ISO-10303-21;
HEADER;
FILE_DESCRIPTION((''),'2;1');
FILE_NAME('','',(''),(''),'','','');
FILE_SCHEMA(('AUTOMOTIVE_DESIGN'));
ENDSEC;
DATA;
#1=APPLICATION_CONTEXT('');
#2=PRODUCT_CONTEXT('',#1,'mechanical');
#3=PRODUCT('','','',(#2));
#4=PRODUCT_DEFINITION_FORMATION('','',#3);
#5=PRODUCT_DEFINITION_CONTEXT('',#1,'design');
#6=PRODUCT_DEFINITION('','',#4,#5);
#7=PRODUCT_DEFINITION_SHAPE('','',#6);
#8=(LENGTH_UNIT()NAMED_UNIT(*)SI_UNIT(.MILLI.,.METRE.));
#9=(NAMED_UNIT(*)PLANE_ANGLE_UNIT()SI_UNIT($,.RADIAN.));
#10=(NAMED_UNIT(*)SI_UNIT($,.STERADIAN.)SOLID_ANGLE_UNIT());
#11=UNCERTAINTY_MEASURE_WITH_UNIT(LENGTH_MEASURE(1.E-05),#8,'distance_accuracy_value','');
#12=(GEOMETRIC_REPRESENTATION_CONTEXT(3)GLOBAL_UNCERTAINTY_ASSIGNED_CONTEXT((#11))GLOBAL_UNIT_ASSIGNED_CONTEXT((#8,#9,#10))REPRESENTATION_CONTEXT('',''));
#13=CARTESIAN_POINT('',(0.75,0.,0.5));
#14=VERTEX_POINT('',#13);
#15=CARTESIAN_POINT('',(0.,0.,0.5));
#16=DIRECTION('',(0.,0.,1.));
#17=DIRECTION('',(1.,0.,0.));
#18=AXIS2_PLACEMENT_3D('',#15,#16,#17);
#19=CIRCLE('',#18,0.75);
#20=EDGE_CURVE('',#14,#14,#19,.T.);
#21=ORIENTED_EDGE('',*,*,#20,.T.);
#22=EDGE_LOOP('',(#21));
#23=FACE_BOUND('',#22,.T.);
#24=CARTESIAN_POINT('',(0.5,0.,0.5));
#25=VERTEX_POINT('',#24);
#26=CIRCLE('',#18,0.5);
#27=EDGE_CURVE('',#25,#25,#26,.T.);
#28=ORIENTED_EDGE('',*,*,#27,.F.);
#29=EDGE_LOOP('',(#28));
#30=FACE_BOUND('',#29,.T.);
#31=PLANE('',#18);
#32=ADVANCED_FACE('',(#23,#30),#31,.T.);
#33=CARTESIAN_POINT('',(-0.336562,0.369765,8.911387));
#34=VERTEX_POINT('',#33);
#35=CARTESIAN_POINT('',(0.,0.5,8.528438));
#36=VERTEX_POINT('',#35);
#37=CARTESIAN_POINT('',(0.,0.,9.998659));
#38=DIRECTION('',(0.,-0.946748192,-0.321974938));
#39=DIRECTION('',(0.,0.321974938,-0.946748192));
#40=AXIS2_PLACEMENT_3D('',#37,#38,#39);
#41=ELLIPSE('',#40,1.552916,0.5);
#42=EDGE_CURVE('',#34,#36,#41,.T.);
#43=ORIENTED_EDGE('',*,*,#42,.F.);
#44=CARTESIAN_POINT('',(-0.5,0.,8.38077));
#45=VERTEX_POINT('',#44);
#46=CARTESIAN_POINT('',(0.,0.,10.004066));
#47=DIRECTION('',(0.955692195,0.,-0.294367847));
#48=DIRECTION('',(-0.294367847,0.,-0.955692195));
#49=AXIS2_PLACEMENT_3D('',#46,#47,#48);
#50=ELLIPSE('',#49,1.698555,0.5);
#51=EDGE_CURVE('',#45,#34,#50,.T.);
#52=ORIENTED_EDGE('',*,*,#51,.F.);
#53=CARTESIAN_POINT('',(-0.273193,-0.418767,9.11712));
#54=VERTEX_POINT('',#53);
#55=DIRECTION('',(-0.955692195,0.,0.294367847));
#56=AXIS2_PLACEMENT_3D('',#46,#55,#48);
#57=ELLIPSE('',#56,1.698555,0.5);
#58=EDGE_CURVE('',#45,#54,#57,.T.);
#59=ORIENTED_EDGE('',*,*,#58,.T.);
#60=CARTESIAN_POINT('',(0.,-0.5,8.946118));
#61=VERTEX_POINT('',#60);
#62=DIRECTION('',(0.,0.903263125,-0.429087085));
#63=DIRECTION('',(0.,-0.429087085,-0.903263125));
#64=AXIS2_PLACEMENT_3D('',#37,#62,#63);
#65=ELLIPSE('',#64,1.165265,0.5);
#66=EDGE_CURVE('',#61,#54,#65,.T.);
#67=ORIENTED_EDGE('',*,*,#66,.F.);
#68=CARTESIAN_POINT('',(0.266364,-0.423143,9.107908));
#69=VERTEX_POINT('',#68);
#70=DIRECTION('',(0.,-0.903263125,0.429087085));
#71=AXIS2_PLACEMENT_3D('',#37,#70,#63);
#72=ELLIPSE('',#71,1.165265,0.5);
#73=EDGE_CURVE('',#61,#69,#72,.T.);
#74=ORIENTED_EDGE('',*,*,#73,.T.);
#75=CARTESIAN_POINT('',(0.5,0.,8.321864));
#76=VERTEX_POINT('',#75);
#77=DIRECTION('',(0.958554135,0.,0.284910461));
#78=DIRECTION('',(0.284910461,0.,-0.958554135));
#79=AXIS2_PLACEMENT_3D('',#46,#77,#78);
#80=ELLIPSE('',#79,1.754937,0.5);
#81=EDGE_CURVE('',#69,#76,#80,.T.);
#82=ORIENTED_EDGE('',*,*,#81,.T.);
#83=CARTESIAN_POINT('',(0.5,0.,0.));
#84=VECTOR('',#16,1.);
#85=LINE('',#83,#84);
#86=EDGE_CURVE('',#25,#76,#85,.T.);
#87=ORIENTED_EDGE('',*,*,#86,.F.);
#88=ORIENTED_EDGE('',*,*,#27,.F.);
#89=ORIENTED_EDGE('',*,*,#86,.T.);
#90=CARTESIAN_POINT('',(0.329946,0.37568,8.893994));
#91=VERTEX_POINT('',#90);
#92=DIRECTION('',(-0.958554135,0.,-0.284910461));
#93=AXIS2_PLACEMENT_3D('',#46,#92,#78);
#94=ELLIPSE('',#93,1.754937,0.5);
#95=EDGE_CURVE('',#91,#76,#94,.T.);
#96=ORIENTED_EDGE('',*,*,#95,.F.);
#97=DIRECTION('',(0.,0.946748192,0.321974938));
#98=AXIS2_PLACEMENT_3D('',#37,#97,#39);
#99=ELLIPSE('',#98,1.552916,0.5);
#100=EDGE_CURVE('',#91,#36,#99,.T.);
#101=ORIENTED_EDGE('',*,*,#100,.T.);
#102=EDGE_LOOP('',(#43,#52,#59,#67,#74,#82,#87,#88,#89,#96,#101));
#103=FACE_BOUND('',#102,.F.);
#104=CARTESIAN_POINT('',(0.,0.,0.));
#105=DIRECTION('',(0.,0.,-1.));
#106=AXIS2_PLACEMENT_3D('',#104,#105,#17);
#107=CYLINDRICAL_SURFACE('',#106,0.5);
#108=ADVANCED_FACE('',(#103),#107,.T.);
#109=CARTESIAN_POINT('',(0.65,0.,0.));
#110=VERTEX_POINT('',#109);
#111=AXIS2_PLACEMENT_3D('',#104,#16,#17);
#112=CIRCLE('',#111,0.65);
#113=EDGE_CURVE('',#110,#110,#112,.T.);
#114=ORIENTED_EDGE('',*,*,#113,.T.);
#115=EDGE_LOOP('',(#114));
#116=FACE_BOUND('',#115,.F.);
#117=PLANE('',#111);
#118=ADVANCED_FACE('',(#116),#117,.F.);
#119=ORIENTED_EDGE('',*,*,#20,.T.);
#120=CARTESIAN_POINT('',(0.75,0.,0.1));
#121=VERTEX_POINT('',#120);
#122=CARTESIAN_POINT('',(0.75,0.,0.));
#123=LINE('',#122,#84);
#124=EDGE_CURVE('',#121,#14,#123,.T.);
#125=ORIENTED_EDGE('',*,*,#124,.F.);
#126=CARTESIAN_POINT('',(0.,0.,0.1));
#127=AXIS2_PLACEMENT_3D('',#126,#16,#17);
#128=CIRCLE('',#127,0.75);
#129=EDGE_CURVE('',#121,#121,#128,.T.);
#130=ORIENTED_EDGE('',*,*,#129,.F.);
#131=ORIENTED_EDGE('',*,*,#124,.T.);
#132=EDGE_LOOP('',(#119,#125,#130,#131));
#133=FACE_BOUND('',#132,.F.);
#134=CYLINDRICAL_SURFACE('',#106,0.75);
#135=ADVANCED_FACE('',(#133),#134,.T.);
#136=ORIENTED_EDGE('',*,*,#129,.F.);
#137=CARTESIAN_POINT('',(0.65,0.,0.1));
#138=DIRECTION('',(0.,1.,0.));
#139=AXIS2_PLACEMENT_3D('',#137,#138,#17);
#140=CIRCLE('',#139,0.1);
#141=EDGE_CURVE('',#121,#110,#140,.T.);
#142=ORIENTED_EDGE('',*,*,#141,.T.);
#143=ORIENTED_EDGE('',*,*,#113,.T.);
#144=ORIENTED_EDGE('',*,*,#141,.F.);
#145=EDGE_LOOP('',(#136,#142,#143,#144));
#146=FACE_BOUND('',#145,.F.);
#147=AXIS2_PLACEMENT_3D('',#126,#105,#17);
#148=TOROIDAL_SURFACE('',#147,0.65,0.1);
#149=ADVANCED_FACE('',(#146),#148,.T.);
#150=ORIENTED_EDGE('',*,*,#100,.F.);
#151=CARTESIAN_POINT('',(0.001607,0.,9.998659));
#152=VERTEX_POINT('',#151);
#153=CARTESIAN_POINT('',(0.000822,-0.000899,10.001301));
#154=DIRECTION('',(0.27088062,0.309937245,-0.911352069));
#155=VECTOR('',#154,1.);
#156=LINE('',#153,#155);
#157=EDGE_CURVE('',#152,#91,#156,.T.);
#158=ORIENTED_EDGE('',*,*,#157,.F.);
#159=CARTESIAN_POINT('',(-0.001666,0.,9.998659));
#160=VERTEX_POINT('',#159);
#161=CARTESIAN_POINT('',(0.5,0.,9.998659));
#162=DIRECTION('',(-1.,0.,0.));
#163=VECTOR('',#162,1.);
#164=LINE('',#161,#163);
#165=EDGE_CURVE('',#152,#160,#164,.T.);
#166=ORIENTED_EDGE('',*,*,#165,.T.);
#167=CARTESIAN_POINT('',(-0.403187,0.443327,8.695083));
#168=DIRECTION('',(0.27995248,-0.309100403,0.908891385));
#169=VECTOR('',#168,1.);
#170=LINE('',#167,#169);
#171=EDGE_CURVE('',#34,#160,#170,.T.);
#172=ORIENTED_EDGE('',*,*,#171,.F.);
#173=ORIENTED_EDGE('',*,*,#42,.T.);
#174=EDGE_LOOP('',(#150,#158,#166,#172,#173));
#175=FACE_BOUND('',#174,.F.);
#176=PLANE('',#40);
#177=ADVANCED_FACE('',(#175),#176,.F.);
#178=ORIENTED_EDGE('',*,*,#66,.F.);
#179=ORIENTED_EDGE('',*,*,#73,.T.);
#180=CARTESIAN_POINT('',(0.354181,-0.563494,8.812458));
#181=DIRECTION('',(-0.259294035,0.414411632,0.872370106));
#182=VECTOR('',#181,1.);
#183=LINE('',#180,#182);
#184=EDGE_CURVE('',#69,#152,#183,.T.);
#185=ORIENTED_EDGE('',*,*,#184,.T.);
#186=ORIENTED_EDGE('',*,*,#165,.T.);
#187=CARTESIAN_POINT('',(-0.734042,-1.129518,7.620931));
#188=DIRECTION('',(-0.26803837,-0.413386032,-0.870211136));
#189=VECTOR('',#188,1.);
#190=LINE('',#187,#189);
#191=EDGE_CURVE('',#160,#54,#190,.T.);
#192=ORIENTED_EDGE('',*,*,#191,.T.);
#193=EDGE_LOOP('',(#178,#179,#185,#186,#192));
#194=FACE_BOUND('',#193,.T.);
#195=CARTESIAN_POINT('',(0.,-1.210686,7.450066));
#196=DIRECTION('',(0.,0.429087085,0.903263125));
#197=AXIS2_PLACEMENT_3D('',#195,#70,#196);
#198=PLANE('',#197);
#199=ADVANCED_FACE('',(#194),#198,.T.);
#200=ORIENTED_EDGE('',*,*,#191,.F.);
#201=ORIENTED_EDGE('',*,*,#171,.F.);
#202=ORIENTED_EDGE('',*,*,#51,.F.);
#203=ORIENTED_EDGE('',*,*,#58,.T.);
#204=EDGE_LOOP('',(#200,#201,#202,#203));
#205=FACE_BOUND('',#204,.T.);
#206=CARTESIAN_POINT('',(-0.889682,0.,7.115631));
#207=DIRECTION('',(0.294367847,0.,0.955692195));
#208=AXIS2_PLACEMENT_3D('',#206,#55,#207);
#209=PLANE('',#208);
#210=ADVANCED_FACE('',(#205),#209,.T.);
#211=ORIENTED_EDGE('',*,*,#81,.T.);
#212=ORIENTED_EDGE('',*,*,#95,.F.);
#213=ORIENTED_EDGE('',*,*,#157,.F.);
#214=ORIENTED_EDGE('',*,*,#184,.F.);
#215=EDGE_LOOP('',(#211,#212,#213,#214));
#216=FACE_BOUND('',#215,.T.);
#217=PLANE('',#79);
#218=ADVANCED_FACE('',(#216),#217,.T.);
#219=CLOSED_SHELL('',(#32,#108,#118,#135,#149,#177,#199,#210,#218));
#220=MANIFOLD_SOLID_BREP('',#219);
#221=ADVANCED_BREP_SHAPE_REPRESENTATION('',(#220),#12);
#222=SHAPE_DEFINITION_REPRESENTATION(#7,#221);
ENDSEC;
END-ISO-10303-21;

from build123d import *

# Parameters (mm, degrees)
F0_R          = 0.5
F1_DEPTH      = 10
F0_R_2        = 0.75
F2_DEPTH      = 0.5
F3_R          = 0.1
F5_DEPTH      = 25
F5_DEPTH_BACK = 25
F7_DEPTH      = 25
F7_DEPTH_BACK = 25


with BuildPart() as f1:
    # F0 (on Top) → F1 (new body)
    with BuildSketch(Plane.XY):
        Circle(F0_R)
    extrude(amount=F1_DEPTH)

    # F0 (on Top) → F2 (join)
    with BuildSketch(Plane.XY):
        Circle(F0_R_2)
        Circle(F0_R, mode=Mode.SUBTRACT)
    extrude(amount=F2_DEPTH)

    # F3
    f3_edges = [f1.edges().sort_by_distance(p)[0] for p in [
        (-0.75, 0, 0),
    ]]
    fillet(f3_edges, radius=F3_R)

    # F4 (on Right) → F5 (cut, two sides)
    with BuildSketch(Plane.YZ) as f5_sk:
        Polygon((-1.2106864015, 7.4500655755), (0, 9.998658672), (0.8667384973, 7.4500655755), (0.8667384973, 10.8232041821), (-1.2106864015, 10.8232041821), (-1.2106864015, 7.4928989634), align=None)
    extrude(amount=-F5_DEPTH, mode=Mode.SUBTRACT)
    extrude(f5_sk.sketch, amount=F5_DEPTH_BACK, mode=Mode.SUBTRACT)

    # F6 (on Front) → F7 (cut, two sides)
    with BuildSketch(Plane.XZ) as f7_sk:
        Polygon((-0.8896822692, 7.1156308986), (0, 10.0040659308), (0.8585277828, 7.1156308986), (1.0901562637, 10.4937674478), (-0.8896822692, 10.4937674478), align=None)
    extrude(amount=F7_DEPTH, mode=Mode.SUBTRACT)
    extrude(f7_sk.sketch, amount=-F7_DEPTH_BACK, mode=Mode.SUBTRACT)


solid = f1.part
